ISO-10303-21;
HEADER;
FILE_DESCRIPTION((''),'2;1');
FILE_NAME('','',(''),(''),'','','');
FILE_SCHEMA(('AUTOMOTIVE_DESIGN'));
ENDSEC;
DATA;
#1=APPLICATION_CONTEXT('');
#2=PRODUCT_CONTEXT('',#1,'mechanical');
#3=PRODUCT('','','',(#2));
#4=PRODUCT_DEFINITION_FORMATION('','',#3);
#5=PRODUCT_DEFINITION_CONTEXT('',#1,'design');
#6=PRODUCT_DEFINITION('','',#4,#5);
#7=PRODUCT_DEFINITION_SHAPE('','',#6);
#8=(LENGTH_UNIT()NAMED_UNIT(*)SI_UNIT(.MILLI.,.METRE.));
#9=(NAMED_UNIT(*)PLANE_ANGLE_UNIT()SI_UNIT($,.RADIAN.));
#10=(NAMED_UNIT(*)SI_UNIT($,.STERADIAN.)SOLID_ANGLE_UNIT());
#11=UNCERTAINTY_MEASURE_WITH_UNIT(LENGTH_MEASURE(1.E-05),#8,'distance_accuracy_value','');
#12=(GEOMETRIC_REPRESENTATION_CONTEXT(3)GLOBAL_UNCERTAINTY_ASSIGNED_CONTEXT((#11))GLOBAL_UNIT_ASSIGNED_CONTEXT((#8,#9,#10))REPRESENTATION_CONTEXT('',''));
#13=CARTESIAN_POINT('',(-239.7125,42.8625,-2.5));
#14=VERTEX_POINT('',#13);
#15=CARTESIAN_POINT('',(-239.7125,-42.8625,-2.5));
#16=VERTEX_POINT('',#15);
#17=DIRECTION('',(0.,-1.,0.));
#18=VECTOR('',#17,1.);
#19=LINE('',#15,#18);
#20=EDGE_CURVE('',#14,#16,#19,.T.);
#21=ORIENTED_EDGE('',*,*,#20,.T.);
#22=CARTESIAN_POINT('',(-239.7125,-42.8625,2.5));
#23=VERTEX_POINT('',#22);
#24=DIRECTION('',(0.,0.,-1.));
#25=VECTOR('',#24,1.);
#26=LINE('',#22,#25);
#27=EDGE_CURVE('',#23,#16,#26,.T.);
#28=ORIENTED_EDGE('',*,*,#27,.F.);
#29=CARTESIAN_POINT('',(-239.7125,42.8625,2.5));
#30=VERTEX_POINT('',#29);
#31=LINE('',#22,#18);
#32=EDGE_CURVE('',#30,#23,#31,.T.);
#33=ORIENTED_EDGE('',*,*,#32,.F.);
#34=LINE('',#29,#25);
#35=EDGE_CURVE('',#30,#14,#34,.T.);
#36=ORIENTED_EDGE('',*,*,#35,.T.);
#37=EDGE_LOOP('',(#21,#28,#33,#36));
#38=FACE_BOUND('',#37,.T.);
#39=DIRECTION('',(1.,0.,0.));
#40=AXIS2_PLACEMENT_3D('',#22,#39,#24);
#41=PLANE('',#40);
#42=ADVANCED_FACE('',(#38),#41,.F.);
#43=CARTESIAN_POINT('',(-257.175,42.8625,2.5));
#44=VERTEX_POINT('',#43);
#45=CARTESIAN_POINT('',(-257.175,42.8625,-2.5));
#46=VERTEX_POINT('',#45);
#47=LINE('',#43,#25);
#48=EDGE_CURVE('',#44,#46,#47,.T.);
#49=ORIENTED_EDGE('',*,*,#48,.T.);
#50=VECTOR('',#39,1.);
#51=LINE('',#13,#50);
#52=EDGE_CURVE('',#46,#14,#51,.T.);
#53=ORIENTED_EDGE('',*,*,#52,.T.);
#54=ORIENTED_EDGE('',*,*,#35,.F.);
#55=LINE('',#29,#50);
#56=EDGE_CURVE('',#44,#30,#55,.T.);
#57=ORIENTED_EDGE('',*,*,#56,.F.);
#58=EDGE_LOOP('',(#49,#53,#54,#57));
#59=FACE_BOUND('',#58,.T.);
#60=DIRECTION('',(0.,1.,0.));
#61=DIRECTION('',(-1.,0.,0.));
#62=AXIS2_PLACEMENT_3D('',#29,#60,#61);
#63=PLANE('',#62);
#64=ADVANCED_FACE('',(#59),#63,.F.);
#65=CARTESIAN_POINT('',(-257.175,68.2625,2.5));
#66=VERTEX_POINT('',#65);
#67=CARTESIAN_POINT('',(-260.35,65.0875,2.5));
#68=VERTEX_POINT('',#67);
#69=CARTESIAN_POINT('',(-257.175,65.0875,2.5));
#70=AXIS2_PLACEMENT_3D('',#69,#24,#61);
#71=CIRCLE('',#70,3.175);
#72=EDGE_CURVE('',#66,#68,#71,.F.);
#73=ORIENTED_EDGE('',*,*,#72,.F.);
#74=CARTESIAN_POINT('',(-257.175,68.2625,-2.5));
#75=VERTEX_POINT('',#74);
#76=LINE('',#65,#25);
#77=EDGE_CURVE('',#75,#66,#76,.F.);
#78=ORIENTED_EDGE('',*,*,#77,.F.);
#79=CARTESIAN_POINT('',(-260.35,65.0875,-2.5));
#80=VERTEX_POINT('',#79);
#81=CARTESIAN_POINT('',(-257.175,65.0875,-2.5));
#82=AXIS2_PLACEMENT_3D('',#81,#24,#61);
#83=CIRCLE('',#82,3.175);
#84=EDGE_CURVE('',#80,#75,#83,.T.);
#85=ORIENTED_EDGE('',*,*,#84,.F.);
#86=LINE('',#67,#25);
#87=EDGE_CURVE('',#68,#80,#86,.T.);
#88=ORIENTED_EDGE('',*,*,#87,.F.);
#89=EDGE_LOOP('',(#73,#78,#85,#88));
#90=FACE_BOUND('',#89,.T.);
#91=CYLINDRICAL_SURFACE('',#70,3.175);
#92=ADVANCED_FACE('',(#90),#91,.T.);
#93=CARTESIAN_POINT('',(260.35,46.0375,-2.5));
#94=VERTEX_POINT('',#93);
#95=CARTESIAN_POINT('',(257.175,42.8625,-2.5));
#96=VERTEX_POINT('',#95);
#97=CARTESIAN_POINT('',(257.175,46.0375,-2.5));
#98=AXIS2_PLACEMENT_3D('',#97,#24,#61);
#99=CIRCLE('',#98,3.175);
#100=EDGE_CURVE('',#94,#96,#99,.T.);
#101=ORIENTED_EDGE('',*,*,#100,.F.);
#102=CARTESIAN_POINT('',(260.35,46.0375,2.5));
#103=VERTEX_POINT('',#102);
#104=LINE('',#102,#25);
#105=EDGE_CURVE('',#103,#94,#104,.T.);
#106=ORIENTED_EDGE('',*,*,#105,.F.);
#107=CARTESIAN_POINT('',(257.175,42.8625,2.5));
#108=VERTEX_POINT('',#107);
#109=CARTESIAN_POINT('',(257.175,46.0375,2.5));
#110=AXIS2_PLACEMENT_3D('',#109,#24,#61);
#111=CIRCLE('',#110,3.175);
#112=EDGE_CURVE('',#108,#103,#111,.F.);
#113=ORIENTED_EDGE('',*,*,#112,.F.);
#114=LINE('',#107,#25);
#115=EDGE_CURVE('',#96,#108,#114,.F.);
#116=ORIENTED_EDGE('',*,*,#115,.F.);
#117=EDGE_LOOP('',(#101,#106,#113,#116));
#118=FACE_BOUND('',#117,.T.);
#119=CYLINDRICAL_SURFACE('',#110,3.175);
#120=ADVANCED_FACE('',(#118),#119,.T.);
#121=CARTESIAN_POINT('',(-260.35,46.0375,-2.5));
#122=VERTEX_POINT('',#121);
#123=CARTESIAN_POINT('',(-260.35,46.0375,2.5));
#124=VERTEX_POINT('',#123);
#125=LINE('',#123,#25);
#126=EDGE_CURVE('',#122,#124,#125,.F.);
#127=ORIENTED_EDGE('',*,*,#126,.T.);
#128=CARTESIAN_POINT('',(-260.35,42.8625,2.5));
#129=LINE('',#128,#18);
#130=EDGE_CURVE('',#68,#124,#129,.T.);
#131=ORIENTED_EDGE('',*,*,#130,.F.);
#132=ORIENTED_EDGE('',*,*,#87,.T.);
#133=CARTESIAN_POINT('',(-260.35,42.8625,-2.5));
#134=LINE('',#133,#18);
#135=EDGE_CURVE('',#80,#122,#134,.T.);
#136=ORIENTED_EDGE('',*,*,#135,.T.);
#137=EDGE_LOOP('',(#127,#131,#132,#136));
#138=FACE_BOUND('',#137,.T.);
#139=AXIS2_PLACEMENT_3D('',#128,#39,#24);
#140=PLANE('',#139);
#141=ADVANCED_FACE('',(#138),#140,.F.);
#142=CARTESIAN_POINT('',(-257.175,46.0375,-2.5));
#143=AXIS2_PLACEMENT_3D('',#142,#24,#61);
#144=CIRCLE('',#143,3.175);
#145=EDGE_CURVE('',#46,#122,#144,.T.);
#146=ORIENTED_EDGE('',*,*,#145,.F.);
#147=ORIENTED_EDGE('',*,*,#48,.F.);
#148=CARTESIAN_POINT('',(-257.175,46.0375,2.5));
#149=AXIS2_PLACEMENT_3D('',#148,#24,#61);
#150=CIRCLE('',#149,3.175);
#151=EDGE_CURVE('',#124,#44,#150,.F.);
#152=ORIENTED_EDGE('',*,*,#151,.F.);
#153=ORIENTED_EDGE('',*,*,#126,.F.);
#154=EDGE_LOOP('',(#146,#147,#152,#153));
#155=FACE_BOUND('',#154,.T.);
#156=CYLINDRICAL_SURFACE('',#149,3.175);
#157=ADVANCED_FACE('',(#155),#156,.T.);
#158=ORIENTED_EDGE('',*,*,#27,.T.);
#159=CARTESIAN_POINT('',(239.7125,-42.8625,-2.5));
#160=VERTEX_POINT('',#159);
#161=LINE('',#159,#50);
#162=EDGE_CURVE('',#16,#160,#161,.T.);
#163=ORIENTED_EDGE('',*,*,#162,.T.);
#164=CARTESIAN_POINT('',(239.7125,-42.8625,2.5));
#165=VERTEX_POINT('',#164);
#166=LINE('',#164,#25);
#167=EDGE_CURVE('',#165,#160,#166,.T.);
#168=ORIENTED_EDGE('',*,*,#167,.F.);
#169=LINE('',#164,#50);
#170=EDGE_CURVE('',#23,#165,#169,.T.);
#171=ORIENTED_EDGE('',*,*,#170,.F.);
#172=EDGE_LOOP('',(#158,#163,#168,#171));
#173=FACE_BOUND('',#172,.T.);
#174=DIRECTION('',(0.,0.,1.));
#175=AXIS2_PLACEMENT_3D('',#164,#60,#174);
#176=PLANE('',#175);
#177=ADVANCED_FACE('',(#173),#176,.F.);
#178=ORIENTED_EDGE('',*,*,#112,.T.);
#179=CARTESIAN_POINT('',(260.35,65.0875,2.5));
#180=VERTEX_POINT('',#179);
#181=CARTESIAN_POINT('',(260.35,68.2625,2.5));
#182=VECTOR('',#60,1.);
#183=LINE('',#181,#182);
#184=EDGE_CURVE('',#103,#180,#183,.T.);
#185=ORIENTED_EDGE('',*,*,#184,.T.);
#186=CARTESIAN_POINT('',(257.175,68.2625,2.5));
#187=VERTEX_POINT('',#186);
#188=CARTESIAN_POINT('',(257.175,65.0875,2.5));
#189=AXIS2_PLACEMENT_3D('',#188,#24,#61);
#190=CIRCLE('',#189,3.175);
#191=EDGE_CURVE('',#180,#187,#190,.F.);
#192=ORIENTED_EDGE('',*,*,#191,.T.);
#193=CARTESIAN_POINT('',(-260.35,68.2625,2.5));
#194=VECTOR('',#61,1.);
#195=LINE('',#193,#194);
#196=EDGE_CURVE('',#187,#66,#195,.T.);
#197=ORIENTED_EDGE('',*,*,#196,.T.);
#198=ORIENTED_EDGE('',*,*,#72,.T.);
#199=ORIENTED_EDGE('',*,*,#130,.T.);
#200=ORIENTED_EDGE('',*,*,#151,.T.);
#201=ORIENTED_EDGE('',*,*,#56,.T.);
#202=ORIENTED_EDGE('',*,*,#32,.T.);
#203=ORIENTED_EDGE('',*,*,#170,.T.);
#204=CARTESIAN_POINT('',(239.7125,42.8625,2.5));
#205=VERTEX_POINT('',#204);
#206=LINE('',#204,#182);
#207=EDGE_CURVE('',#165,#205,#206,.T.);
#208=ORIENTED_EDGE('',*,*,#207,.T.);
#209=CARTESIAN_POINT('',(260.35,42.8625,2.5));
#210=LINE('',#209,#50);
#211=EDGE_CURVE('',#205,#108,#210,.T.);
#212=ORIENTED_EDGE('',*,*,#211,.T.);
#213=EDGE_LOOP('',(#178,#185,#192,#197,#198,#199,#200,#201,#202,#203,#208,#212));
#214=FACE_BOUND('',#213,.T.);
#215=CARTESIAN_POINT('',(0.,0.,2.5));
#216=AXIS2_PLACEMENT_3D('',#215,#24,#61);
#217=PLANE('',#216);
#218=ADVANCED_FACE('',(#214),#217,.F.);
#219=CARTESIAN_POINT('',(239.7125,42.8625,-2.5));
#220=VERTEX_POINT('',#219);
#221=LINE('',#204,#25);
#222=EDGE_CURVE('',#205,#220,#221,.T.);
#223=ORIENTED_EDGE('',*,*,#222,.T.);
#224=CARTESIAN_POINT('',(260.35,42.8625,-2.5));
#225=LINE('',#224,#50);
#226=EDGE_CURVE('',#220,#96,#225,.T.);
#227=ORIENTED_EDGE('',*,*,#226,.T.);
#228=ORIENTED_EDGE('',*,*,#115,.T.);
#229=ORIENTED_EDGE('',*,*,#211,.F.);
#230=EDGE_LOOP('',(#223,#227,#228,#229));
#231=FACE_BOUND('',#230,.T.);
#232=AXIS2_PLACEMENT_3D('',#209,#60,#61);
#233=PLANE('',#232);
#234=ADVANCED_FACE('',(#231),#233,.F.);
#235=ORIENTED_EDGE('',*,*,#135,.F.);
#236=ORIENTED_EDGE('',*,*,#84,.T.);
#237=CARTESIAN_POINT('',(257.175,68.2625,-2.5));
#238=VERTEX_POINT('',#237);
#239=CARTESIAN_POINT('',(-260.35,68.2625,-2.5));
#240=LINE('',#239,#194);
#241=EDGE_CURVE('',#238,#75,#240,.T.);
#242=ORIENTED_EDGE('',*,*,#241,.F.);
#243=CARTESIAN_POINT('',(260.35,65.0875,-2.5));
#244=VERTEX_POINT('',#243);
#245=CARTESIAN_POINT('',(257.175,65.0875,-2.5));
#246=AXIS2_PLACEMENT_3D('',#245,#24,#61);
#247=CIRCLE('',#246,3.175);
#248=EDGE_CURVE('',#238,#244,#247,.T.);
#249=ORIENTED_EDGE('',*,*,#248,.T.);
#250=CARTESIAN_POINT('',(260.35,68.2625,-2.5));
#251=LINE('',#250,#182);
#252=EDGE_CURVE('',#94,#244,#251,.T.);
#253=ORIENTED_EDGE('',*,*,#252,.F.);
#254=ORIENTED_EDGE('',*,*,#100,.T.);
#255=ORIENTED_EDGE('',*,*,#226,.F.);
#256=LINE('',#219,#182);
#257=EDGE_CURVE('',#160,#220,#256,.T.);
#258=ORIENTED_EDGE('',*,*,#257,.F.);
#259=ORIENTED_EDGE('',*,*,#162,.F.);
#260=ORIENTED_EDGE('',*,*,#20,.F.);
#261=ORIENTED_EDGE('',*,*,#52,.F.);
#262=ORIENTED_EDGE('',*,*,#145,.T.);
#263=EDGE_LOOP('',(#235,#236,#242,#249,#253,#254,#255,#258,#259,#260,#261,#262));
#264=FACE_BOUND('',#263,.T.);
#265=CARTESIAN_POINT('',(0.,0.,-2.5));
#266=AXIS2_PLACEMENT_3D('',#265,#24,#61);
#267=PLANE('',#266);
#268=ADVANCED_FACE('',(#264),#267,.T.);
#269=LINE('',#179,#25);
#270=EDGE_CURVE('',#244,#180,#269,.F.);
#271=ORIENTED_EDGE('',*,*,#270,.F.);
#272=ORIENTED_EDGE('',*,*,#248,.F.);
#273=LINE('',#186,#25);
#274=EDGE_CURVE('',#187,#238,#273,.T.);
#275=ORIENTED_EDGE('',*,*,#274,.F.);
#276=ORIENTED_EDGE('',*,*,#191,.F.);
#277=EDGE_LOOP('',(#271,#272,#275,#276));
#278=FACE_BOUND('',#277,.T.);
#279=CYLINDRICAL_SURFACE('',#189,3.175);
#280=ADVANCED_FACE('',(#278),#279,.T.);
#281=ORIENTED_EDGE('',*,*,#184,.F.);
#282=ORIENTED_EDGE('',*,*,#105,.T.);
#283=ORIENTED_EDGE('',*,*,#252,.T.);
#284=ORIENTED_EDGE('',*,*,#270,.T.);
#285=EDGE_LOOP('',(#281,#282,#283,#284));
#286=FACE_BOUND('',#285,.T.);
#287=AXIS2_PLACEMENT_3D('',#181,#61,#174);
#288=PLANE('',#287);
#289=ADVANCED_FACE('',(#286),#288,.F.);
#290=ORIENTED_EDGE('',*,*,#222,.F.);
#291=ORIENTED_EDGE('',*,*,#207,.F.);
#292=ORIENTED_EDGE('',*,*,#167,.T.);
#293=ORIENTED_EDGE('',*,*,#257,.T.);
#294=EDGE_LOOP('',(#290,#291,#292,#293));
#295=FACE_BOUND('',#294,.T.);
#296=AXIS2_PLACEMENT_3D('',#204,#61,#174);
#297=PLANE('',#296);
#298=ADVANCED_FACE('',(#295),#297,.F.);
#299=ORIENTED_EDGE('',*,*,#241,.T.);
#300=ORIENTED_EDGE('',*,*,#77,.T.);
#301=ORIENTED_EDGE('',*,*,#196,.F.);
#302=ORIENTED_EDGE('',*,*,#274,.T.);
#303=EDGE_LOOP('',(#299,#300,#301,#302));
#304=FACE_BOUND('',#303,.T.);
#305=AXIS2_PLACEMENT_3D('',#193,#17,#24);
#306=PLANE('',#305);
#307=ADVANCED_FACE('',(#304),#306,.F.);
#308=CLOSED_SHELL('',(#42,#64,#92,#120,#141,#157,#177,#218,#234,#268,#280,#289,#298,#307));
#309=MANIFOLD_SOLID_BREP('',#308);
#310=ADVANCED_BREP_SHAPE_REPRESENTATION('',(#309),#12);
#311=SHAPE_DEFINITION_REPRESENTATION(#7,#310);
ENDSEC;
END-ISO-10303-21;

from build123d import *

# Parameters (mm, degrees)
BOSS_EXTRUDE1_DEPTH = 2.5
FILLET1_R           = 3.175


with BuildPart() as part:
    # Sketch1 → Boss-Extrude1 (new, symmetric)
    with BuildSketch(Plane.XY):
        Polygon((-260.35, 68.2625), (260.35, 68.2625), (260.35, 42.8625), (239.7125, 42.8625), (239.7125, -42.8625), (-239.7125, -42.8625), (-239.7125, 42.8625), (-260.35, 42.8625), align=None)
    extrude(amount=BOSS_EXTRUDE1_DEPTH, both=True)

    # Fillet1
    fillet1_edges = [part.edges().sort_by_distance(p)[0] for p in [
        (-260.35, 68.2625, 0),
        (260.35, 68.2625, 0),
        (260.35, 42.8625, 0),
        (-260.35, 42.8625, 0),
    ]]
    fillet(fillet1_edges, radius=FILLET1_R)


solid = part.part
